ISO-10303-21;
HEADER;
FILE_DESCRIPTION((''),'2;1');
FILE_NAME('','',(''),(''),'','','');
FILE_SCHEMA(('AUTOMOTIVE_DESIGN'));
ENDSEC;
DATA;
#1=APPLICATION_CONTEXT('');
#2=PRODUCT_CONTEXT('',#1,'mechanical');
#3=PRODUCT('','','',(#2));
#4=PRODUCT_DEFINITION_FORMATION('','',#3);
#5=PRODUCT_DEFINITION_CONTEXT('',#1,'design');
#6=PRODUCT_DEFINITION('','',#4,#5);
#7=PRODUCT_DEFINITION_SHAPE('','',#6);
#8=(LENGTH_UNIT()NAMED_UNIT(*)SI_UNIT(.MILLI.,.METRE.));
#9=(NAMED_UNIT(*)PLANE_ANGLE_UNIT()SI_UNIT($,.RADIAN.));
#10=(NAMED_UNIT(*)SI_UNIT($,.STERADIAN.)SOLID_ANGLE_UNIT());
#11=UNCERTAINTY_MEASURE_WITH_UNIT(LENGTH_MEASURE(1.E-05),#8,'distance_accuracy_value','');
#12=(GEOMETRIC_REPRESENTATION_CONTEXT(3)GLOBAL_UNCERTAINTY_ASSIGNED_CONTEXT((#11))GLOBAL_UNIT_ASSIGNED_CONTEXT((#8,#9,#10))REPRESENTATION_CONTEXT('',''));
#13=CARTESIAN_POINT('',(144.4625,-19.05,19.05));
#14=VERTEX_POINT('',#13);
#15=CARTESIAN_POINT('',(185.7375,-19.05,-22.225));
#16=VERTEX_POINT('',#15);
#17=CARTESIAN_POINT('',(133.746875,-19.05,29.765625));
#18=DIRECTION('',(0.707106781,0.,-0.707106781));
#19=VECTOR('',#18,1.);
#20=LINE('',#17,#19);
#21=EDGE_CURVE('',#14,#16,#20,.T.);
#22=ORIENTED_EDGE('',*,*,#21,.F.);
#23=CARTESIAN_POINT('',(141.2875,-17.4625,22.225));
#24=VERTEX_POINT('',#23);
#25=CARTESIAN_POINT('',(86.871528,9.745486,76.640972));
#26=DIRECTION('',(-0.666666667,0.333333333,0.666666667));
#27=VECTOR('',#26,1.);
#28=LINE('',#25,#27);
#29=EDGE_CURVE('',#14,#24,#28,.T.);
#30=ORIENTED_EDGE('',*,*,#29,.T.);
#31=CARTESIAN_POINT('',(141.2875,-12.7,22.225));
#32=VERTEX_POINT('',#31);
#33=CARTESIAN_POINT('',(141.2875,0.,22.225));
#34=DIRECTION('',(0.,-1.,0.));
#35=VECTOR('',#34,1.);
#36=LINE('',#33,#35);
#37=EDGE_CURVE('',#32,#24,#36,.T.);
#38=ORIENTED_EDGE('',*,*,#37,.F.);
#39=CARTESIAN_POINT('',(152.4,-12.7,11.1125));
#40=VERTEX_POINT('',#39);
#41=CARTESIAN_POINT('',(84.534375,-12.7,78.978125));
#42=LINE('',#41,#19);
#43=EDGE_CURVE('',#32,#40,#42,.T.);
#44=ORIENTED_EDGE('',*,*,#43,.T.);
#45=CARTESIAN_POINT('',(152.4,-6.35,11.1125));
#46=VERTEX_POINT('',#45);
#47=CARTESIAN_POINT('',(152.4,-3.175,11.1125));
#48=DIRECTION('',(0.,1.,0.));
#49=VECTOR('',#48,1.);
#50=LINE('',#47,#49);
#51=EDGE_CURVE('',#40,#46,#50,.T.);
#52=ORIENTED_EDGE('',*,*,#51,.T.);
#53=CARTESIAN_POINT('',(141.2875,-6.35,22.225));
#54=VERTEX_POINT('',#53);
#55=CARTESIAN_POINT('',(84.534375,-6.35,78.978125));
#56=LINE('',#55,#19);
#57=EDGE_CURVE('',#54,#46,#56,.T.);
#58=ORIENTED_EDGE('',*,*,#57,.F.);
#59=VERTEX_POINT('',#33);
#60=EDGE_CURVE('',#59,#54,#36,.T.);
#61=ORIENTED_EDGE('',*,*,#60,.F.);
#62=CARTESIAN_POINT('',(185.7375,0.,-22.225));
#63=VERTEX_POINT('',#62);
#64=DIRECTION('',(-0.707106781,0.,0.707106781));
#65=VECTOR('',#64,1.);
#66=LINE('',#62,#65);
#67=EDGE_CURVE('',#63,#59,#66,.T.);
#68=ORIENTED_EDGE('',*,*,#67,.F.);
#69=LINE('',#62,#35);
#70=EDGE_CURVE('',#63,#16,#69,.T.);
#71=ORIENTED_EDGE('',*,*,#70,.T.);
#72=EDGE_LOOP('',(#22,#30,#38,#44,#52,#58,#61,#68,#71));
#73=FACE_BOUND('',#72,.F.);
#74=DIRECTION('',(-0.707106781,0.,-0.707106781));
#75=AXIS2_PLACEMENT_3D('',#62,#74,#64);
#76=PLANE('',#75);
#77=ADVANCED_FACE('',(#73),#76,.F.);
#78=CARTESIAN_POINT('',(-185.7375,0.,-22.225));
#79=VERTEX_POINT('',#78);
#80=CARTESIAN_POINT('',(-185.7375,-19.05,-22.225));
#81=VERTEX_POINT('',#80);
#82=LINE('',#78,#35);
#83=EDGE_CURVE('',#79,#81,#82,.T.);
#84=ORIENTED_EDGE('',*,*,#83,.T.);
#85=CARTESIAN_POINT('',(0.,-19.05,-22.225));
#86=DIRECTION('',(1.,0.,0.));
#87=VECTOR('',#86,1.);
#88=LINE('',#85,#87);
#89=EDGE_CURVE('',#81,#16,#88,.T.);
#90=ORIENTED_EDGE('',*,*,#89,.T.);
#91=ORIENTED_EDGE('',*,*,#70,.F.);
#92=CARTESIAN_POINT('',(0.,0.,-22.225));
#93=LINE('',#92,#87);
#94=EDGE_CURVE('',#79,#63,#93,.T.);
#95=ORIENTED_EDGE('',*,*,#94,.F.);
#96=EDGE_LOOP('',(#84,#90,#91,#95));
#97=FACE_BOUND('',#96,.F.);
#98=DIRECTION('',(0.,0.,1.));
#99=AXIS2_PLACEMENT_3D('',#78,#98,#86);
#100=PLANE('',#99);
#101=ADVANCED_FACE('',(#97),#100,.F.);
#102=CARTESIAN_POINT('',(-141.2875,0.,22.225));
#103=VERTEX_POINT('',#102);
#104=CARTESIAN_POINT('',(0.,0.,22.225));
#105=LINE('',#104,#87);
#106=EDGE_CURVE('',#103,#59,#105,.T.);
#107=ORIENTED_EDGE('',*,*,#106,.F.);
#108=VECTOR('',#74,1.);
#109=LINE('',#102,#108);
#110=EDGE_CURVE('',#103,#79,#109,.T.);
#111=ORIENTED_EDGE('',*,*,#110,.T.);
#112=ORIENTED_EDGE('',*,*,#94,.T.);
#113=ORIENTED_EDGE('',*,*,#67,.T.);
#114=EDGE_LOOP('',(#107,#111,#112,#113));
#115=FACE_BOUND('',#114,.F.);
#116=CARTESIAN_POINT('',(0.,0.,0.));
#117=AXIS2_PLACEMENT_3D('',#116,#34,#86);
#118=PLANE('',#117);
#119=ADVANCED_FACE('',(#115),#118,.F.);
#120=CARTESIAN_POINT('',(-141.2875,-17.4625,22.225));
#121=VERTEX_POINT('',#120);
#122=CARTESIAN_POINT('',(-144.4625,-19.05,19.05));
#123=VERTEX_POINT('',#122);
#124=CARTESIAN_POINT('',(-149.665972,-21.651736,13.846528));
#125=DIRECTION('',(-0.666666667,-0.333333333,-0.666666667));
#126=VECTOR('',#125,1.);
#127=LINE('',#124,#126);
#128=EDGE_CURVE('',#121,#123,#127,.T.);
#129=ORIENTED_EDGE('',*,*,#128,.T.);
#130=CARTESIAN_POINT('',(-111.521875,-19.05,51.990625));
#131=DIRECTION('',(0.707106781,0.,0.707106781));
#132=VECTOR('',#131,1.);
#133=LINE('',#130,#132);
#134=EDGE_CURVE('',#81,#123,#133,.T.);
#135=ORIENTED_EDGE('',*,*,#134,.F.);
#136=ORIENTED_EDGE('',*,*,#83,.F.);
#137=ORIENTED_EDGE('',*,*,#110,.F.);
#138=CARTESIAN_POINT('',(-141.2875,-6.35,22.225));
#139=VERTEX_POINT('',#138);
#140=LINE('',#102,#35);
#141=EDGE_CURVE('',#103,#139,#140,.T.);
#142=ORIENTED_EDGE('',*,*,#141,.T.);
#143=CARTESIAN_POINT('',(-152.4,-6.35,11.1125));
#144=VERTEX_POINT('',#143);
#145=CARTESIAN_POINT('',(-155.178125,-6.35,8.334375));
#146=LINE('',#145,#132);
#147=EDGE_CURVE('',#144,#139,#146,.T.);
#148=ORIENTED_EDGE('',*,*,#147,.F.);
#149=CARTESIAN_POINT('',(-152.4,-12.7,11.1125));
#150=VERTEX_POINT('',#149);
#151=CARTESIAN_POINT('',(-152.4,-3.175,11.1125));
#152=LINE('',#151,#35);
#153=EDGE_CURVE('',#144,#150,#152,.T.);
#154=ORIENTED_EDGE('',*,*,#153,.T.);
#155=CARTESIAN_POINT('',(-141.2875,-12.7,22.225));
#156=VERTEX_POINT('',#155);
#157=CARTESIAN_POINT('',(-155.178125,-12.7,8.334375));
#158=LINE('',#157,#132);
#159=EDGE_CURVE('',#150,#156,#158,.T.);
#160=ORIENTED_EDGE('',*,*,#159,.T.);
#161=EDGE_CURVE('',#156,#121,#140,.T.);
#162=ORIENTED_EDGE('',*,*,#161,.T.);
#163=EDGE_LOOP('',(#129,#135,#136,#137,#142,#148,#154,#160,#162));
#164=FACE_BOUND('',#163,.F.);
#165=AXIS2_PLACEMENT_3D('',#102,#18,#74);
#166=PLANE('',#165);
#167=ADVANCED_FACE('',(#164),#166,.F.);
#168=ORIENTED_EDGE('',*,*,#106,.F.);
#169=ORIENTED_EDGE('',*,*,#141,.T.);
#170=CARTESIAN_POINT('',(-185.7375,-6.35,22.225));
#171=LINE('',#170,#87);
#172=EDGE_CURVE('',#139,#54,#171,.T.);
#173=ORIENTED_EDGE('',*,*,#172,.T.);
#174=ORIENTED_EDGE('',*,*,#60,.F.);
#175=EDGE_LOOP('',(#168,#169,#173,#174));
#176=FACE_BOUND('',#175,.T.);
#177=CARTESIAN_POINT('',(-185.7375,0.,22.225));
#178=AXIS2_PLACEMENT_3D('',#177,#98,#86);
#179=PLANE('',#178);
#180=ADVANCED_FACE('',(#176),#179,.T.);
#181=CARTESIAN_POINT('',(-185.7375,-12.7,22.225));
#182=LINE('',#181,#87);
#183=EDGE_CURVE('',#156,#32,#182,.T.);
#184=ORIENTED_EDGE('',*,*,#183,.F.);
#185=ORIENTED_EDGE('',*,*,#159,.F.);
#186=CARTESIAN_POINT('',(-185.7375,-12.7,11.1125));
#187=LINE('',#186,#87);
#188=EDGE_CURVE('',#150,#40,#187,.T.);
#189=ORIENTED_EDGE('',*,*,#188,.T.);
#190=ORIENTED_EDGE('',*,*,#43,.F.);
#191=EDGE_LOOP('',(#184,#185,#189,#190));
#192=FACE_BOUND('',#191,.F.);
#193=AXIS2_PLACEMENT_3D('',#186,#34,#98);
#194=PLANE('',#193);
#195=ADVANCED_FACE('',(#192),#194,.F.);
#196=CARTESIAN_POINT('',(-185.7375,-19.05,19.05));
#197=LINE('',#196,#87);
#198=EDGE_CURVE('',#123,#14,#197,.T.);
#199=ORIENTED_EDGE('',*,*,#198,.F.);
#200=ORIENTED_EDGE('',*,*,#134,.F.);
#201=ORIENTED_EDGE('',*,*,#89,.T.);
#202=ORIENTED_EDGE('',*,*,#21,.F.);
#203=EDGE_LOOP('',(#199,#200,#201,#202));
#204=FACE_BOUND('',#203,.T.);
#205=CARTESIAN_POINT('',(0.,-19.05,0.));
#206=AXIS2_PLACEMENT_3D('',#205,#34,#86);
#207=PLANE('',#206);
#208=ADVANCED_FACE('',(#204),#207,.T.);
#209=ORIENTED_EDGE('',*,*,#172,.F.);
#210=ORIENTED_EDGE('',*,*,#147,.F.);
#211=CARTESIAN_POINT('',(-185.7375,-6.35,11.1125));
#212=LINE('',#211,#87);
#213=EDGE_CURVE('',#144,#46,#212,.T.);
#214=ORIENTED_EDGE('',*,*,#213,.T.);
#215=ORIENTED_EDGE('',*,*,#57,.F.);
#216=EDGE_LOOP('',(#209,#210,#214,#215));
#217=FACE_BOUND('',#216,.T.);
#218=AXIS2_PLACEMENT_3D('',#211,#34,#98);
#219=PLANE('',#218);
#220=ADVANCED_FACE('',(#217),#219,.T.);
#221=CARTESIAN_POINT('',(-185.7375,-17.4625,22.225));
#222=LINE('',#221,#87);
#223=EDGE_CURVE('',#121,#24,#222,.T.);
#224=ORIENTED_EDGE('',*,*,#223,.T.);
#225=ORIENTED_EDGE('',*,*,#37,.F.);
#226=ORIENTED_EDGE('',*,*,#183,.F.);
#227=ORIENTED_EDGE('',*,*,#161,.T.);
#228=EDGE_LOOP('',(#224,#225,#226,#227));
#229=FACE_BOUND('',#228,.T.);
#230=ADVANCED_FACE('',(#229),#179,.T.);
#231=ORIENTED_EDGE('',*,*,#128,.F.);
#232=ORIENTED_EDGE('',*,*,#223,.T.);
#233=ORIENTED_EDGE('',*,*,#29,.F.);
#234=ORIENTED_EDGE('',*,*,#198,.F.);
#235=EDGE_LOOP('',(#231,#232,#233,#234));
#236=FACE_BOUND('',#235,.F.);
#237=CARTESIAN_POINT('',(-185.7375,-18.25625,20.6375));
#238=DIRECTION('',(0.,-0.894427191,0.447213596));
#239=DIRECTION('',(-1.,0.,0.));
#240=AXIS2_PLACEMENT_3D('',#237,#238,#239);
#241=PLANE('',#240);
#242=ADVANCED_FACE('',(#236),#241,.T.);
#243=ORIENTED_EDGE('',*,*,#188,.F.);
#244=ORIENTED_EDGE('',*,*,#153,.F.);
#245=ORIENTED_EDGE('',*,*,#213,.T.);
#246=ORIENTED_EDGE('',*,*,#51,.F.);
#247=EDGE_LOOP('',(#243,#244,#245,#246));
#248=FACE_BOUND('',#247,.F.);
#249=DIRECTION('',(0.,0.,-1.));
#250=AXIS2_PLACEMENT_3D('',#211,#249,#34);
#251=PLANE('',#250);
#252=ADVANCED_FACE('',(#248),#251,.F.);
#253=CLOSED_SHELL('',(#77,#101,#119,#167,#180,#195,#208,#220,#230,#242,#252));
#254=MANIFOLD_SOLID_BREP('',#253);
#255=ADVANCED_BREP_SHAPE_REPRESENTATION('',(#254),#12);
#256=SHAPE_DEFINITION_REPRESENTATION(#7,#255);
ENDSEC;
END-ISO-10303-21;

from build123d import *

# Parameters (mm, degrees)
F0_W     = 371.475
F0_H     = 44.45
F1_DEPTH = 19.05
F2_W     = 6.35
F2_H     = 11.1125
F3_DEPTH = 371.476
F4_SIZE2 = 3.175
F4_SIZE  = 1.5875
F6_DEPTH = 19.051


with BuildPart() as f1:
    # F0 (on Front) → F1 (new body)
    with BuildSketch(Plane.XZ):
        Rectangle(F0_W, F0_H)
    extrude(amount=F1_DEPTH)

    # F2 (on face) → F3 (cut, through all)
    with BuildSketch(Plane(origin=(-185.7375, 0, 0), x_dir=(0, -1, 0), z_dir=(-1, 0, 0))):
        with Locations((9.525, 16.66875)):
            Rectangle(F2_W, F2_H)
    extrude(amount=-F3_DEPTH, mode=Mode.SUBTRACT)

    # F4
    f4_edges = [f1.edges().sort_by_distance(p)[0] for p in [
        (0, -19.05, 22.225),
    ]]
    chamfer(f4_edges, length=F4_SIZE, length2=F4_SIZE2)

    # F5 (on face) → F6 (cut, through all)
    with BuildSketch(Plane(origin=(0, 0, 0), x_dir=(-1, 0, 0), z_dir=(0, 1, 0))):
        Polygon((-185.7375, 22.225), (-185.7375, -22.225), (-141.2875, 22.225), align=None)
        Polygon((141.2875, 22.225), (185.7375, -22.225), (185.7375, 22.225), align=None)
    extrude(amount=-F6_DEPTH, mode=Mode.SUBTRACT)


solid = f1.part
